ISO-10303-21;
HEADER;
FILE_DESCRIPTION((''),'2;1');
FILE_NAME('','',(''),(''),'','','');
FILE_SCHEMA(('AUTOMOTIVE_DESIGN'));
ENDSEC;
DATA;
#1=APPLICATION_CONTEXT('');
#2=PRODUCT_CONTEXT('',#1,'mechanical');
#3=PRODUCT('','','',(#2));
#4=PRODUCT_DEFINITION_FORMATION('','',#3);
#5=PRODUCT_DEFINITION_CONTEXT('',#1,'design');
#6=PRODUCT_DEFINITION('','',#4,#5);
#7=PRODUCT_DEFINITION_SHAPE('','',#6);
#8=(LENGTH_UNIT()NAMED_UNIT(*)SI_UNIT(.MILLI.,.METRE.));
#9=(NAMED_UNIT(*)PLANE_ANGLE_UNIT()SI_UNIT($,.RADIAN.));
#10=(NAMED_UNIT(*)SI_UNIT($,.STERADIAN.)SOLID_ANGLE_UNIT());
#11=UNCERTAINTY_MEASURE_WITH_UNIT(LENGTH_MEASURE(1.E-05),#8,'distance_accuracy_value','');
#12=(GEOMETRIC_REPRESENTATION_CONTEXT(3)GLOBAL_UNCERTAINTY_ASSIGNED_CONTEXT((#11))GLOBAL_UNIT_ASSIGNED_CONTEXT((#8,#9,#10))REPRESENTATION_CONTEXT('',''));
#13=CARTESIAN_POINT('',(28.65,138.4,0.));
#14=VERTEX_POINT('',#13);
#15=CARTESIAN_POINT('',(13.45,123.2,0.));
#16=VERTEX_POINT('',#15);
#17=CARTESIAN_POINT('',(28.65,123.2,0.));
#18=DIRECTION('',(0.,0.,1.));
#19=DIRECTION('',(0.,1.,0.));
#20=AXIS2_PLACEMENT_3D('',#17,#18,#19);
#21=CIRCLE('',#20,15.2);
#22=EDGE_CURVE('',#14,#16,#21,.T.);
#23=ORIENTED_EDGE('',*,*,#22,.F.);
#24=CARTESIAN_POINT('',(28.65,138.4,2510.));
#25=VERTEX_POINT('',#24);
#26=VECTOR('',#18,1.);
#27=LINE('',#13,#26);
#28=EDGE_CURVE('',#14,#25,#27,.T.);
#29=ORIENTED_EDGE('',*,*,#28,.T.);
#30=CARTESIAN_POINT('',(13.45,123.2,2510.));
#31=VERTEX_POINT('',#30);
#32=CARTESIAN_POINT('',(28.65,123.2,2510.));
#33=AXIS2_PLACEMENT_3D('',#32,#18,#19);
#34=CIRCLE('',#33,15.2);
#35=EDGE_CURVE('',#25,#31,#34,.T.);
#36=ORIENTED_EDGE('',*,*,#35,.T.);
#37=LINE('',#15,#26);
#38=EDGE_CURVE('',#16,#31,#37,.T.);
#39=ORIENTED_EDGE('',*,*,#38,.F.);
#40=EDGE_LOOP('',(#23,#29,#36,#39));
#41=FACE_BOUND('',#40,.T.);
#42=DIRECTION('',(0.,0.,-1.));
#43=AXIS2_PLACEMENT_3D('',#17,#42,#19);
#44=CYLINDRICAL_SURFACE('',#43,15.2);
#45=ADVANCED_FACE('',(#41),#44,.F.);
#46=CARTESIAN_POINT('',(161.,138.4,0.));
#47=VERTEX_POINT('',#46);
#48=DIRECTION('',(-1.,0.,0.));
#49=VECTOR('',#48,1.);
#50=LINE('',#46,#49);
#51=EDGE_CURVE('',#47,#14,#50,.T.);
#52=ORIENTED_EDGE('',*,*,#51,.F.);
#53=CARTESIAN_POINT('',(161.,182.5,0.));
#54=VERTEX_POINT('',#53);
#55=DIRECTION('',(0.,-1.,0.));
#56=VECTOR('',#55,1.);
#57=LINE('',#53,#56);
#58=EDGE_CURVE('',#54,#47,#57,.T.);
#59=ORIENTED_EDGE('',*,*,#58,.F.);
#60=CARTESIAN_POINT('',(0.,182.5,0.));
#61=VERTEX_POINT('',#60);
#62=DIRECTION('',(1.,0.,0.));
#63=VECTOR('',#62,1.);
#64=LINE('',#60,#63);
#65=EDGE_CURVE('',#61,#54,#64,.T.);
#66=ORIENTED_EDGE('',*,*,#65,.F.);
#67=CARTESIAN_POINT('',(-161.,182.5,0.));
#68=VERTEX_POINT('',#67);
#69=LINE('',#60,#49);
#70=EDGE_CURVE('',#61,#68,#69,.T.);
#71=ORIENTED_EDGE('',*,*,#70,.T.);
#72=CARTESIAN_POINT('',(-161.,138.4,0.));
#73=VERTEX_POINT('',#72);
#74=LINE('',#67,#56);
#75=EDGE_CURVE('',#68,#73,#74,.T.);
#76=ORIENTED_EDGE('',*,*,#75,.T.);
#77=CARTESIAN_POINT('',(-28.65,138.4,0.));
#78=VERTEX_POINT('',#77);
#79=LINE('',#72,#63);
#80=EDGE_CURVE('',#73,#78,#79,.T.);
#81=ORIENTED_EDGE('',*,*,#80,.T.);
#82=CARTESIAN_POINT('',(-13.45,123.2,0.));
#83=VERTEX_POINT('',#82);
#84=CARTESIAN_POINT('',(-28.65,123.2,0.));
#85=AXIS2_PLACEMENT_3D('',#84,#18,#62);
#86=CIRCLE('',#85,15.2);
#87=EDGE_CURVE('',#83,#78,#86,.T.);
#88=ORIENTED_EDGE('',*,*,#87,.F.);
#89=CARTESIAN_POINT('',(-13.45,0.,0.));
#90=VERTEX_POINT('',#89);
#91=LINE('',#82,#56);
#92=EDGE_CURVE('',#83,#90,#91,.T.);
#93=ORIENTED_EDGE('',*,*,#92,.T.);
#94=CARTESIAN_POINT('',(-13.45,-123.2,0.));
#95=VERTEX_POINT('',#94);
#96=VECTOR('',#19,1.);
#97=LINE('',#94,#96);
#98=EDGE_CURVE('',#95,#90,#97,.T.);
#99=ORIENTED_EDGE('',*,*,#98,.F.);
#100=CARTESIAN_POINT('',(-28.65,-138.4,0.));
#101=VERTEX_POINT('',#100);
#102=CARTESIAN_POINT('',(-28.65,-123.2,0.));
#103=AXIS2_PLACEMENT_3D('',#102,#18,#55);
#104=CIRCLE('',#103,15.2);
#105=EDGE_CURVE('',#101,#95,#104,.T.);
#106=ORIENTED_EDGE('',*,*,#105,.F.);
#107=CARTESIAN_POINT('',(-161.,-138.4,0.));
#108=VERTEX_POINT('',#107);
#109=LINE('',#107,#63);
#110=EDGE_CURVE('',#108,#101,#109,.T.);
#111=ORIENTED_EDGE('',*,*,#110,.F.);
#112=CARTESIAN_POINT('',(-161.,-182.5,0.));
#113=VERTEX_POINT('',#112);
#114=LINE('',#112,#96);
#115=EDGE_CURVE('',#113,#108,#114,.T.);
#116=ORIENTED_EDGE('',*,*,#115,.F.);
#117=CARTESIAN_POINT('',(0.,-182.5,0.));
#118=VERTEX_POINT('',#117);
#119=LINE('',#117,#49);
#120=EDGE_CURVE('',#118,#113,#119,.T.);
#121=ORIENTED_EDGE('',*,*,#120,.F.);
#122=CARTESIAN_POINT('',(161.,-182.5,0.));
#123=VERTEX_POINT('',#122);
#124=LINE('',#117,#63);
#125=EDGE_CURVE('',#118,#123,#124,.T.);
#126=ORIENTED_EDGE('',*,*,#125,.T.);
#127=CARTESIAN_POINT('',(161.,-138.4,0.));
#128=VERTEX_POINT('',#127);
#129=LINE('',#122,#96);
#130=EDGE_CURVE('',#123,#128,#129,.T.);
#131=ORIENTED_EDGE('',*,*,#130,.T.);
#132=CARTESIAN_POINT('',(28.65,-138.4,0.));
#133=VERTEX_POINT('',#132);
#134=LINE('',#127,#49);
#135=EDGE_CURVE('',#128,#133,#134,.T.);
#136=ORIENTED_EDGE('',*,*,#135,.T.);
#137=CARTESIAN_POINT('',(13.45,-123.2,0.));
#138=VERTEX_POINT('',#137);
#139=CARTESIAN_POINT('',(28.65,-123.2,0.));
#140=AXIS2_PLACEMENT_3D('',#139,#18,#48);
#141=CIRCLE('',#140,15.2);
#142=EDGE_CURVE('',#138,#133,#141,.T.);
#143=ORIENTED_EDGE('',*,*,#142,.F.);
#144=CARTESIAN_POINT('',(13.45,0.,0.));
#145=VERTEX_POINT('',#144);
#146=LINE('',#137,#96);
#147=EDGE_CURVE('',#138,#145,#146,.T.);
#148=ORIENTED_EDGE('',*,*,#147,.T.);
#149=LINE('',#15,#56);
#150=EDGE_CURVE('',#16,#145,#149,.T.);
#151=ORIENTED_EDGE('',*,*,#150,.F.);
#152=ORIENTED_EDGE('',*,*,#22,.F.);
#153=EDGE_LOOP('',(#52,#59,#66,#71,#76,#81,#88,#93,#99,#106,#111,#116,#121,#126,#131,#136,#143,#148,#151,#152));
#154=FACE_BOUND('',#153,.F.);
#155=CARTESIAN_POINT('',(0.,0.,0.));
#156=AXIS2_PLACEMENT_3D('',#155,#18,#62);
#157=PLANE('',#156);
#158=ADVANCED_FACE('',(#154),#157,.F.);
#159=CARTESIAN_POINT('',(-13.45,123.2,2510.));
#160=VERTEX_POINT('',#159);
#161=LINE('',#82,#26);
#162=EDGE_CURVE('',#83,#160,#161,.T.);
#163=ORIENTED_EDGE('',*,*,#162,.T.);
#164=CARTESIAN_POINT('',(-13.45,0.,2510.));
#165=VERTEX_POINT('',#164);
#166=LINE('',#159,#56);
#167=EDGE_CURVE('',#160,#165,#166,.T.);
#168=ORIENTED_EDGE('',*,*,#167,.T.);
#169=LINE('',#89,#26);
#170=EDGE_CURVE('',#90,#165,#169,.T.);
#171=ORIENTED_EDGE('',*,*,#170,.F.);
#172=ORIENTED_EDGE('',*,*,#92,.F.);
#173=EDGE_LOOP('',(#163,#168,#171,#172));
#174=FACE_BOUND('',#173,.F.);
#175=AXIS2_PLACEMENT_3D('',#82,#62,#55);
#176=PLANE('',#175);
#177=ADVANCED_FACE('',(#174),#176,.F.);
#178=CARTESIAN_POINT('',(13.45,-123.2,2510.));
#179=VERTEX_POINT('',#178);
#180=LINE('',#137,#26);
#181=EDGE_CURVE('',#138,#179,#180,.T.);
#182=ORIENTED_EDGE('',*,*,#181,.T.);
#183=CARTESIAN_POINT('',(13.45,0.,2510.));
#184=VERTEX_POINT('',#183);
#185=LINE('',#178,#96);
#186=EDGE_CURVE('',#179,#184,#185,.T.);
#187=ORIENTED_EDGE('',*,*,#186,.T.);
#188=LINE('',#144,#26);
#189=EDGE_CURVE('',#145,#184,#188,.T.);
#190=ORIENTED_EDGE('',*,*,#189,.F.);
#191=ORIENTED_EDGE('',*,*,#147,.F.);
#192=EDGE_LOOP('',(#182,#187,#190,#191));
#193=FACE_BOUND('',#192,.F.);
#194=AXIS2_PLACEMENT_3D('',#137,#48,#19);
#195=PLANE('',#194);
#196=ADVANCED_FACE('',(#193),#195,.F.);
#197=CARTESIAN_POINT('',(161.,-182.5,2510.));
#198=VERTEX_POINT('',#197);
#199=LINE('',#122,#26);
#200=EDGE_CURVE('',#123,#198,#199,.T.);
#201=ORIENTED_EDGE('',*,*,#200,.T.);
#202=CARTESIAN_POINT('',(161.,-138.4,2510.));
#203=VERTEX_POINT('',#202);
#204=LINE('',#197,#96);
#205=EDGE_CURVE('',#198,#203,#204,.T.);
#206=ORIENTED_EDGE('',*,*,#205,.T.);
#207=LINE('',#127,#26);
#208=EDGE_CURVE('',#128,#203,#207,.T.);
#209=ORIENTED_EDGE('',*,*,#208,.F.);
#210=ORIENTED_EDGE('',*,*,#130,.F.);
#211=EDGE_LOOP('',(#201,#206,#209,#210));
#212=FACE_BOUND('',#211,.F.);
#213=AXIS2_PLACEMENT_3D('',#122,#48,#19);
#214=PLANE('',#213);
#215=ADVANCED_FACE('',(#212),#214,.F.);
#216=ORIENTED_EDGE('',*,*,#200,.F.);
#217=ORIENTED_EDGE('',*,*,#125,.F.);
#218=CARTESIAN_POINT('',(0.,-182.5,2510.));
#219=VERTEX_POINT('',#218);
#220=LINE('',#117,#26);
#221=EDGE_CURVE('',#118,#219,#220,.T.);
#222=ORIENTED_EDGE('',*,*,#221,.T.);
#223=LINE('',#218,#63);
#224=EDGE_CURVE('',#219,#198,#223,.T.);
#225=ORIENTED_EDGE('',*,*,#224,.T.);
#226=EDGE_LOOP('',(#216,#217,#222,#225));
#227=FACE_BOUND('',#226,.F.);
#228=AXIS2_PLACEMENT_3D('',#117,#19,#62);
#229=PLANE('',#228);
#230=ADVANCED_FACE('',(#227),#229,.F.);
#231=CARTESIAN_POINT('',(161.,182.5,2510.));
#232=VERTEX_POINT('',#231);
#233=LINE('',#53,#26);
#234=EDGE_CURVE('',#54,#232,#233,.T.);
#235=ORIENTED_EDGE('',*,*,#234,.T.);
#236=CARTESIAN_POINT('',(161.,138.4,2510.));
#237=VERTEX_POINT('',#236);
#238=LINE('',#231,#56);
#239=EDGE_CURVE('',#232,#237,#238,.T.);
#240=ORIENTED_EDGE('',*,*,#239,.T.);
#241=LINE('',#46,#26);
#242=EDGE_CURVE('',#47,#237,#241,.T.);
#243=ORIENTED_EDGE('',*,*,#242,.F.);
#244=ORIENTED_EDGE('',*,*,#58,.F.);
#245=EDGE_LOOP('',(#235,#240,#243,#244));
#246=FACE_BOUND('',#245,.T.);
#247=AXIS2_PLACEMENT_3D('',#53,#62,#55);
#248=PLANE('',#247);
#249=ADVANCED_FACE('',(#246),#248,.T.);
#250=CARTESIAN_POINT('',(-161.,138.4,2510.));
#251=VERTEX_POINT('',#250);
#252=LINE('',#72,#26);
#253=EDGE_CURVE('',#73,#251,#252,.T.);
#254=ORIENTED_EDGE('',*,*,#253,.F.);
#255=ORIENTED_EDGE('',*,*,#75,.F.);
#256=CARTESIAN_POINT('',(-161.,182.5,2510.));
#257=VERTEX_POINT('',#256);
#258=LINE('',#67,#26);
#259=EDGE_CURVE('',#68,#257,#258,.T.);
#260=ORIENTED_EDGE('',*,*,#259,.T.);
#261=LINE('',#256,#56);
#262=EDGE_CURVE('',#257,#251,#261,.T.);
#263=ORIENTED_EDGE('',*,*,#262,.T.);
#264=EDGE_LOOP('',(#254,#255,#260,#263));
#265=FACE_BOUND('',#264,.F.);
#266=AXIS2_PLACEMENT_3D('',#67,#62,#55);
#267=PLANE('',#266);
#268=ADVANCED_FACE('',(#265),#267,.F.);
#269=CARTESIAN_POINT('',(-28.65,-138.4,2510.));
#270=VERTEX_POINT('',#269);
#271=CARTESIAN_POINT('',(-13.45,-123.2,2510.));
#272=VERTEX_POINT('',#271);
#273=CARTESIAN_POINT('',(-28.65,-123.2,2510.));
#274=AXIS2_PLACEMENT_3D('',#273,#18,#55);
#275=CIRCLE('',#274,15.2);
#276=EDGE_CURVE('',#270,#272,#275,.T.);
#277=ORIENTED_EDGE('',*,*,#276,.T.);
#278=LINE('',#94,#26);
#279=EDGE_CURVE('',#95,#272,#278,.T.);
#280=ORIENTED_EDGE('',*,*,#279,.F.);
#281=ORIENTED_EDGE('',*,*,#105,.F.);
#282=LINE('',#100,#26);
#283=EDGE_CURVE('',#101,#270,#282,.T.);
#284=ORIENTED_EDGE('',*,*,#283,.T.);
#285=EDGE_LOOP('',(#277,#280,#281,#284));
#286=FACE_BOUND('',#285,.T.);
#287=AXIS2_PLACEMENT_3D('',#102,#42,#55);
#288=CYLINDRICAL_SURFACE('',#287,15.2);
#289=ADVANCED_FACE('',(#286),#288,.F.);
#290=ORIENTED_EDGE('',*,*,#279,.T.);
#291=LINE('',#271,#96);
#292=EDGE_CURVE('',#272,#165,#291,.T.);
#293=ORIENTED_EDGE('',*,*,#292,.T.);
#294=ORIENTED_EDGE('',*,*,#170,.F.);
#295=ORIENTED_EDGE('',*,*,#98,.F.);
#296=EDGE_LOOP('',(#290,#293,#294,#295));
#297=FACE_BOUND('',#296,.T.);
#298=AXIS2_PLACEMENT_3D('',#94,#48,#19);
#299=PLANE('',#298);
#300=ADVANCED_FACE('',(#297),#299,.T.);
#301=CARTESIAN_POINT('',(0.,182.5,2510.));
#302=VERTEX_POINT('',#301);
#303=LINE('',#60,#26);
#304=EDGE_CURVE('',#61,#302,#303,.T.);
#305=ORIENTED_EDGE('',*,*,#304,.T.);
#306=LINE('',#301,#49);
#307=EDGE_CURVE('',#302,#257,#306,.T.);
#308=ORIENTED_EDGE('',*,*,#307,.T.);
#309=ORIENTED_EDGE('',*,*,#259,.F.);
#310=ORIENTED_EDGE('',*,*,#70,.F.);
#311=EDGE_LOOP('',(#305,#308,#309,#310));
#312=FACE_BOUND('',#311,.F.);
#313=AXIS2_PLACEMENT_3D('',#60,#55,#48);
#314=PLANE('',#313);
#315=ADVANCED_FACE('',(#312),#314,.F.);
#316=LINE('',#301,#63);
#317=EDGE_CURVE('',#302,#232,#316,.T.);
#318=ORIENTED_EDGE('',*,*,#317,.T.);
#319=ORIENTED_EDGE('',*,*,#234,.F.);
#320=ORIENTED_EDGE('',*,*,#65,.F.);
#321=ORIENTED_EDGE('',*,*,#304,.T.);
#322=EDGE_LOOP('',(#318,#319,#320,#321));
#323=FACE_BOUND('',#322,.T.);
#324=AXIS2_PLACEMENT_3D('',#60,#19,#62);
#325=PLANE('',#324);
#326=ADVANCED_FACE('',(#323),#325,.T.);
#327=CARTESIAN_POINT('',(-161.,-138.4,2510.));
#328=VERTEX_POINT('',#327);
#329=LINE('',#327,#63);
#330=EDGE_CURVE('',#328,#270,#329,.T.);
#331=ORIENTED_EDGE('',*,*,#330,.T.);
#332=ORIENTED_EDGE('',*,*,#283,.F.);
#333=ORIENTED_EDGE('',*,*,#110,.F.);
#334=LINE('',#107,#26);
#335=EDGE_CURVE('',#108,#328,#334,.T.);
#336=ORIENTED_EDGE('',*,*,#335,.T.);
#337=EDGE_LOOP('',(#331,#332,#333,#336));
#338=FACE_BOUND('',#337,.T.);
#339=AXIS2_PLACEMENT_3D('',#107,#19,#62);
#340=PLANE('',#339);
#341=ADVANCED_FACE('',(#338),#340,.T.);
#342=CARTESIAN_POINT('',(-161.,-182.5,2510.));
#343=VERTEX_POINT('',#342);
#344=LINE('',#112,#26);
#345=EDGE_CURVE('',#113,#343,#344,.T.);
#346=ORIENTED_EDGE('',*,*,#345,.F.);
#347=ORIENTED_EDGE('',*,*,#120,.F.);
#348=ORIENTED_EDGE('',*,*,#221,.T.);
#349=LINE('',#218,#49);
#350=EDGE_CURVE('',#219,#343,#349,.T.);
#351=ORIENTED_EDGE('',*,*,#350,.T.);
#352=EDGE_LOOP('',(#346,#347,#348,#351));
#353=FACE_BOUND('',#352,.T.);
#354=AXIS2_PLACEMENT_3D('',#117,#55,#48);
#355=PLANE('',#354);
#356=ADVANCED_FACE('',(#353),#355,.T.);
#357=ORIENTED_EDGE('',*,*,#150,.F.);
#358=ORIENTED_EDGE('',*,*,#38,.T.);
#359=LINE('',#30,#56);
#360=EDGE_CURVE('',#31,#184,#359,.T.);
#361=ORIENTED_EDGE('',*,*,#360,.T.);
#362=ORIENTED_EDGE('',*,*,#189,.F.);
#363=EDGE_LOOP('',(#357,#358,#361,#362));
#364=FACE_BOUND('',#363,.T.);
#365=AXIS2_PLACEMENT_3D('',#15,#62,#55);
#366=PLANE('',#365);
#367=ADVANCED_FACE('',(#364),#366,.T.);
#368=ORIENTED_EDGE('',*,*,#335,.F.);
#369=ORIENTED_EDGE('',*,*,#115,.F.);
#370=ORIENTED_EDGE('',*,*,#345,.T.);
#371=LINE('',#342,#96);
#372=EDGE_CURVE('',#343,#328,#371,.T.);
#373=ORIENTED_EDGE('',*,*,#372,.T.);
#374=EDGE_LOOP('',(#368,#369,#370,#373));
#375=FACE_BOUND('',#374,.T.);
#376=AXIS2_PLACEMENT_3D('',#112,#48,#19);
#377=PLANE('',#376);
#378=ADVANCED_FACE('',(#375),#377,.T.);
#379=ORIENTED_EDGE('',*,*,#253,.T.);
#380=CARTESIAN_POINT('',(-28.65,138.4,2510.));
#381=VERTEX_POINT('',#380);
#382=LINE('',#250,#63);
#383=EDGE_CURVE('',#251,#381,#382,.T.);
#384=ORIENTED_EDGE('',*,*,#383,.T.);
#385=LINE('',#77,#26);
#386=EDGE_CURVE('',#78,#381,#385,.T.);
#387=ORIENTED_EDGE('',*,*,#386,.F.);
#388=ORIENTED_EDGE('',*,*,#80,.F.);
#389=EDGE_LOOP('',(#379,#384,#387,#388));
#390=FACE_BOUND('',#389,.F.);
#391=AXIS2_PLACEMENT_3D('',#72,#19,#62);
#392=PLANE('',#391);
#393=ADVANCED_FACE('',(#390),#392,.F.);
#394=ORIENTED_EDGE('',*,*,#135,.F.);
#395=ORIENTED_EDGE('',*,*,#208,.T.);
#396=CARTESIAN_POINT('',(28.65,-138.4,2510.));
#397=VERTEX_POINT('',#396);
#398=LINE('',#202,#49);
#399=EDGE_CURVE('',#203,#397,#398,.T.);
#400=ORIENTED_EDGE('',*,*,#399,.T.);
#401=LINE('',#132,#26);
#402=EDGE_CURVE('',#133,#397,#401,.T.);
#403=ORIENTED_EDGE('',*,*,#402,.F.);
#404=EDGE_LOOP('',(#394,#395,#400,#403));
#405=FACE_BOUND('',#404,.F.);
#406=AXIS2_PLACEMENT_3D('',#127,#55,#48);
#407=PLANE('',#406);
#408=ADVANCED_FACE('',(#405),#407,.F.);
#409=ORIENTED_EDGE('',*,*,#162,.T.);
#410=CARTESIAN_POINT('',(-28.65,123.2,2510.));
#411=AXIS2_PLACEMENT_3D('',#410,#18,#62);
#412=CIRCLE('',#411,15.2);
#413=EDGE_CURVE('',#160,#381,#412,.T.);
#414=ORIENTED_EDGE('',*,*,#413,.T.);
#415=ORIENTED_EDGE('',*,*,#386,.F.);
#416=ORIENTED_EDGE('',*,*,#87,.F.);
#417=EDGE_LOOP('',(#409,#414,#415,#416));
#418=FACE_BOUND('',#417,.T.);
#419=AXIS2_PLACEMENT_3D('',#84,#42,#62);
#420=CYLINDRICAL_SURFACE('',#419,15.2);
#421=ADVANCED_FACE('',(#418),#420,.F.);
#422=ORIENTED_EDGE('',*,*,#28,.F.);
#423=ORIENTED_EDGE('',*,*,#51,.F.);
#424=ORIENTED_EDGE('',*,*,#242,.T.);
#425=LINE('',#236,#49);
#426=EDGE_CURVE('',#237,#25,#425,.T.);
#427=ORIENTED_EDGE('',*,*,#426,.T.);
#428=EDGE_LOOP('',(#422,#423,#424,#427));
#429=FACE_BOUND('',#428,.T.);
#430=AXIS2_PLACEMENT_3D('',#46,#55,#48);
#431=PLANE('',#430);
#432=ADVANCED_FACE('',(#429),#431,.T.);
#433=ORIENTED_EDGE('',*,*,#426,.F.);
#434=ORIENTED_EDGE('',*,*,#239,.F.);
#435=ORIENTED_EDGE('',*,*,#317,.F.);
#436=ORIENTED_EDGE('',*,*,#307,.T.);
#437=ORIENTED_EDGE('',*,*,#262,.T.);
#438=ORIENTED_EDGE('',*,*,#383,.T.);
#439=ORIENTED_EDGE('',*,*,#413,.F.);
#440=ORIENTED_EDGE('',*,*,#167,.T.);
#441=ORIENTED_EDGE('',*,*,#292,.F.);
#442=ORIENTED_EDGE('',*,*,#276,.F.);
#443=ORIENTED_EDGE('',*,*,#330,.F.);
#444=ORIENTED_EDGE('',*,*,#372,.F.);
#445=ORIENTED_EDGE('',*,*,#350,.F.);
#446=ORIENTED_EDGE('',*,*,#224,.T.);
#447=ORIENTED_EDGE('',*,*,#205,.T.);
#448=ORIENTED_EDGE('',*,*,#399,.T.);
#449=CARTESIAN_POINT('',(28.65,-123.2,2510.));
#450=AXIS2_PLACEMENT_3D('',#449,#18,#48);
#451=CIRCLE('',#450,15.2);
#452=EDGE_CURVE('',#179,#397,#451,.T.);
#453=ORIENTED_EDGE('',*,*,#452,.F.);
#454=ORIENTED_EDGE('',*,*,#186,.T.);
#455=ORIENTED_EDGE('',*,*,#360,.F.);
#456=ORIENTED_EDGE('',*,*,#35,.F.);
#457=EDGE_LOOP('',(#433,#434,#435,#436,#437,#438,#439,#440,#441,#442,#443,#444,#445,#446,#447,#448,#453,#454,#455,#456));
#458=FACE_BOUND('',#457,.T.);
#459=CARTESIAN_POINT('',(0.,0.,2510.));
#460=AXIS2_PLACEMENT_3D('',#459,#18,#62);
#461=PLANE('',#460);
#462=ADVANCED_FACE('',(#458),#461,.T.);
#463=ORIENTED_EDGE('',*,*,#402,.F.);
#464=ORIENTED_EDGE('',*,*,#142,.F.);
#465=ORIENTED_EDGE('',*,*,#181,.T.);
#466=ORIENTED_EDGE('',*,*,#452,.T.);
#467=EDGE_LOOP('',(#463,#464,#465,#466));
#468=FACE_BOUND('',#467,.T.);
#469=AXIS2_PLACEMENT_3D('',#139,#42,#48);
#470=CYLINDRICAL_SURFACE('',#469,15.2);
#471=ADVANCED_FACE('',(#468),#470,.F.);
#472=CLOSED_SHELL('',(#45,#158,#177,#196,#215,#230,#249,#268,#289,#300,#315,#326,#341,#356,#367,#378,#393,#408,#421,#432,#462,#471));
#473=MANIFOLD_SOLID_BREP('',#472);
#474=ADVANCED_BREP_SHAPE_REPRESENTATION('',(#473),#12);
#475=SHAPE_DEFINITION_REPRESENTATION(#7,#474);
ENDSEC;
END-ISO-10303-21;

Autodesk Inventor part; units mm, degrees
ref_plane "YZ Plane" through (0, 0, 0) normal (1, 0, 0) x (0, 1, 0)
ref_plane "Start plane" through (0, 0, 0) normal (0, 0, 1) x (1, 0, 0)
ref_plane "End plane" through (0, 0, 2510) normal (0, 0, 1) x (1, 0, 0)
sketch "Sketch" plane through (0, 0, 0) normal (0, 0, 1) x (1, 0, 0)
  line L0 (-161, -182.5) -> (-161, -138.4)
  line L1 (-161, -138.4) -> (-28.65, -138.4)
  line L2 (-13.45, -123.2) -> (-13.45, 0)
  line L3 (-13.45, 0) -> (0, 0) construction
  line L4 (0, 0) -> (0, -182.5) construction
  line L5 (0, -182.5) -> (-161, -182.5)
  line L6 (-60, 0) -> (80, 0) construction
  line L7 (0, -60) -> (0, 80) construction
  line L8 (161, -182.5) -> (161, -138.4)
  line L9 (161, -138.4) -> (28.65, -138.4)
  line L10 (13.45, -123.2) -> (13.45, 0)
  line L11 (13.45, 0) -> (0, 0) construction
  line L12 (0, -182.5) -> (161, -182.5)
  line L13 (-161, 182.5) -> (-161, 138.4)
  line L14 (-161, 138.4) -> (-28.65, 138.4)
  line L15 (-13.45, 123.2) -> (-13.45, 0)
  line L16 (0, 182.5) -> (-161, 182.5)
  line L17 (161, 182.5) -> (161, 138.4)
  line L18 (161, 138.4) -> (28.65, 138.4)
  line L19 (0, 182.5) -> (161, 182.5)
  line L20 (13.45, 123.2) -> (13.45, 0)
  arc A0 (-13.45, 123.2) -> (-28.65, 138.4) centre (-28.65, 123.2) ccw
  arc A1 (28.65, 138.4) -> (13.45, 123.2) centre (28.65, 123.2) ccw
  arc A2 (13.45, -123.2) -> (28.65, -138.4) centre (28.65, -123.2) ccw
  arc A3 (-28.65, -138.4) -> (-13.45, -123.2) centre (-28.65, -123.2) ccw
  line L21 (0, 108) -> (0, -88) construction
  line L22 (-88, 0) -> (108, 0) construction
  point P0 (-13.45, -138.4)
  point P1 (13.45, -138.4)
  point P2 (-13.45, 138.4)
  point P3 (13.45, 138.4)
  dimension "d1" = 182.5
  dimension "d2" = 44.1
  dimension "d3" = 161
  dimension "d4" = 13.45
  dimension "d10" = 15.2
extrude "Body" add sketch "Sketch" along normal up to surface (2510 mm away) from surface at 0
sketch "Sketch4" plane through (0, 0, 0) normal (0, 0, 1) x (1, 0, 0)
  line L0 (0, 0) -> (10, 0)
ref_plane "Work Plane3" through (0, 0, 0) normal (0, -1, 0) x (1, 0, 0)
sketch "Sketch5" plane through (0, 0, 0) normal (0, -1, 0) x (1, 0, 0)
  line L0 (-2, 0) -> (12, 0) projected
  line L1 (-2, 2510) -> (12, 2510) projected
  dimension "d14" = 2510
equation "\"d1\" = 0.5 * G_H"
equation "\"d2\" = G_T1"
equation "\"d3\" = 0.5 * G_W"
equation "\"d4\" = 0.5 * G_T"
equation "\"d10\" = G_IR"
equation "\"d5\" = G_L"
equation "\"G_W\" = 322"
equation "\"G_H\" = 365"
equation "\"G_T\" = 26.9"
equation "\"G_T1\" = 44.1"
equation "\"G_IR\" = 15.2"
equation "\"G_L\" = d14"
equation "\"G_OFFSET_START\" = 0"
equation "\"G_OFFSET_END\" = 0"
properties part number "AS 3679 - 310 UC - 283 - 2510" material "Steel, Mild"
